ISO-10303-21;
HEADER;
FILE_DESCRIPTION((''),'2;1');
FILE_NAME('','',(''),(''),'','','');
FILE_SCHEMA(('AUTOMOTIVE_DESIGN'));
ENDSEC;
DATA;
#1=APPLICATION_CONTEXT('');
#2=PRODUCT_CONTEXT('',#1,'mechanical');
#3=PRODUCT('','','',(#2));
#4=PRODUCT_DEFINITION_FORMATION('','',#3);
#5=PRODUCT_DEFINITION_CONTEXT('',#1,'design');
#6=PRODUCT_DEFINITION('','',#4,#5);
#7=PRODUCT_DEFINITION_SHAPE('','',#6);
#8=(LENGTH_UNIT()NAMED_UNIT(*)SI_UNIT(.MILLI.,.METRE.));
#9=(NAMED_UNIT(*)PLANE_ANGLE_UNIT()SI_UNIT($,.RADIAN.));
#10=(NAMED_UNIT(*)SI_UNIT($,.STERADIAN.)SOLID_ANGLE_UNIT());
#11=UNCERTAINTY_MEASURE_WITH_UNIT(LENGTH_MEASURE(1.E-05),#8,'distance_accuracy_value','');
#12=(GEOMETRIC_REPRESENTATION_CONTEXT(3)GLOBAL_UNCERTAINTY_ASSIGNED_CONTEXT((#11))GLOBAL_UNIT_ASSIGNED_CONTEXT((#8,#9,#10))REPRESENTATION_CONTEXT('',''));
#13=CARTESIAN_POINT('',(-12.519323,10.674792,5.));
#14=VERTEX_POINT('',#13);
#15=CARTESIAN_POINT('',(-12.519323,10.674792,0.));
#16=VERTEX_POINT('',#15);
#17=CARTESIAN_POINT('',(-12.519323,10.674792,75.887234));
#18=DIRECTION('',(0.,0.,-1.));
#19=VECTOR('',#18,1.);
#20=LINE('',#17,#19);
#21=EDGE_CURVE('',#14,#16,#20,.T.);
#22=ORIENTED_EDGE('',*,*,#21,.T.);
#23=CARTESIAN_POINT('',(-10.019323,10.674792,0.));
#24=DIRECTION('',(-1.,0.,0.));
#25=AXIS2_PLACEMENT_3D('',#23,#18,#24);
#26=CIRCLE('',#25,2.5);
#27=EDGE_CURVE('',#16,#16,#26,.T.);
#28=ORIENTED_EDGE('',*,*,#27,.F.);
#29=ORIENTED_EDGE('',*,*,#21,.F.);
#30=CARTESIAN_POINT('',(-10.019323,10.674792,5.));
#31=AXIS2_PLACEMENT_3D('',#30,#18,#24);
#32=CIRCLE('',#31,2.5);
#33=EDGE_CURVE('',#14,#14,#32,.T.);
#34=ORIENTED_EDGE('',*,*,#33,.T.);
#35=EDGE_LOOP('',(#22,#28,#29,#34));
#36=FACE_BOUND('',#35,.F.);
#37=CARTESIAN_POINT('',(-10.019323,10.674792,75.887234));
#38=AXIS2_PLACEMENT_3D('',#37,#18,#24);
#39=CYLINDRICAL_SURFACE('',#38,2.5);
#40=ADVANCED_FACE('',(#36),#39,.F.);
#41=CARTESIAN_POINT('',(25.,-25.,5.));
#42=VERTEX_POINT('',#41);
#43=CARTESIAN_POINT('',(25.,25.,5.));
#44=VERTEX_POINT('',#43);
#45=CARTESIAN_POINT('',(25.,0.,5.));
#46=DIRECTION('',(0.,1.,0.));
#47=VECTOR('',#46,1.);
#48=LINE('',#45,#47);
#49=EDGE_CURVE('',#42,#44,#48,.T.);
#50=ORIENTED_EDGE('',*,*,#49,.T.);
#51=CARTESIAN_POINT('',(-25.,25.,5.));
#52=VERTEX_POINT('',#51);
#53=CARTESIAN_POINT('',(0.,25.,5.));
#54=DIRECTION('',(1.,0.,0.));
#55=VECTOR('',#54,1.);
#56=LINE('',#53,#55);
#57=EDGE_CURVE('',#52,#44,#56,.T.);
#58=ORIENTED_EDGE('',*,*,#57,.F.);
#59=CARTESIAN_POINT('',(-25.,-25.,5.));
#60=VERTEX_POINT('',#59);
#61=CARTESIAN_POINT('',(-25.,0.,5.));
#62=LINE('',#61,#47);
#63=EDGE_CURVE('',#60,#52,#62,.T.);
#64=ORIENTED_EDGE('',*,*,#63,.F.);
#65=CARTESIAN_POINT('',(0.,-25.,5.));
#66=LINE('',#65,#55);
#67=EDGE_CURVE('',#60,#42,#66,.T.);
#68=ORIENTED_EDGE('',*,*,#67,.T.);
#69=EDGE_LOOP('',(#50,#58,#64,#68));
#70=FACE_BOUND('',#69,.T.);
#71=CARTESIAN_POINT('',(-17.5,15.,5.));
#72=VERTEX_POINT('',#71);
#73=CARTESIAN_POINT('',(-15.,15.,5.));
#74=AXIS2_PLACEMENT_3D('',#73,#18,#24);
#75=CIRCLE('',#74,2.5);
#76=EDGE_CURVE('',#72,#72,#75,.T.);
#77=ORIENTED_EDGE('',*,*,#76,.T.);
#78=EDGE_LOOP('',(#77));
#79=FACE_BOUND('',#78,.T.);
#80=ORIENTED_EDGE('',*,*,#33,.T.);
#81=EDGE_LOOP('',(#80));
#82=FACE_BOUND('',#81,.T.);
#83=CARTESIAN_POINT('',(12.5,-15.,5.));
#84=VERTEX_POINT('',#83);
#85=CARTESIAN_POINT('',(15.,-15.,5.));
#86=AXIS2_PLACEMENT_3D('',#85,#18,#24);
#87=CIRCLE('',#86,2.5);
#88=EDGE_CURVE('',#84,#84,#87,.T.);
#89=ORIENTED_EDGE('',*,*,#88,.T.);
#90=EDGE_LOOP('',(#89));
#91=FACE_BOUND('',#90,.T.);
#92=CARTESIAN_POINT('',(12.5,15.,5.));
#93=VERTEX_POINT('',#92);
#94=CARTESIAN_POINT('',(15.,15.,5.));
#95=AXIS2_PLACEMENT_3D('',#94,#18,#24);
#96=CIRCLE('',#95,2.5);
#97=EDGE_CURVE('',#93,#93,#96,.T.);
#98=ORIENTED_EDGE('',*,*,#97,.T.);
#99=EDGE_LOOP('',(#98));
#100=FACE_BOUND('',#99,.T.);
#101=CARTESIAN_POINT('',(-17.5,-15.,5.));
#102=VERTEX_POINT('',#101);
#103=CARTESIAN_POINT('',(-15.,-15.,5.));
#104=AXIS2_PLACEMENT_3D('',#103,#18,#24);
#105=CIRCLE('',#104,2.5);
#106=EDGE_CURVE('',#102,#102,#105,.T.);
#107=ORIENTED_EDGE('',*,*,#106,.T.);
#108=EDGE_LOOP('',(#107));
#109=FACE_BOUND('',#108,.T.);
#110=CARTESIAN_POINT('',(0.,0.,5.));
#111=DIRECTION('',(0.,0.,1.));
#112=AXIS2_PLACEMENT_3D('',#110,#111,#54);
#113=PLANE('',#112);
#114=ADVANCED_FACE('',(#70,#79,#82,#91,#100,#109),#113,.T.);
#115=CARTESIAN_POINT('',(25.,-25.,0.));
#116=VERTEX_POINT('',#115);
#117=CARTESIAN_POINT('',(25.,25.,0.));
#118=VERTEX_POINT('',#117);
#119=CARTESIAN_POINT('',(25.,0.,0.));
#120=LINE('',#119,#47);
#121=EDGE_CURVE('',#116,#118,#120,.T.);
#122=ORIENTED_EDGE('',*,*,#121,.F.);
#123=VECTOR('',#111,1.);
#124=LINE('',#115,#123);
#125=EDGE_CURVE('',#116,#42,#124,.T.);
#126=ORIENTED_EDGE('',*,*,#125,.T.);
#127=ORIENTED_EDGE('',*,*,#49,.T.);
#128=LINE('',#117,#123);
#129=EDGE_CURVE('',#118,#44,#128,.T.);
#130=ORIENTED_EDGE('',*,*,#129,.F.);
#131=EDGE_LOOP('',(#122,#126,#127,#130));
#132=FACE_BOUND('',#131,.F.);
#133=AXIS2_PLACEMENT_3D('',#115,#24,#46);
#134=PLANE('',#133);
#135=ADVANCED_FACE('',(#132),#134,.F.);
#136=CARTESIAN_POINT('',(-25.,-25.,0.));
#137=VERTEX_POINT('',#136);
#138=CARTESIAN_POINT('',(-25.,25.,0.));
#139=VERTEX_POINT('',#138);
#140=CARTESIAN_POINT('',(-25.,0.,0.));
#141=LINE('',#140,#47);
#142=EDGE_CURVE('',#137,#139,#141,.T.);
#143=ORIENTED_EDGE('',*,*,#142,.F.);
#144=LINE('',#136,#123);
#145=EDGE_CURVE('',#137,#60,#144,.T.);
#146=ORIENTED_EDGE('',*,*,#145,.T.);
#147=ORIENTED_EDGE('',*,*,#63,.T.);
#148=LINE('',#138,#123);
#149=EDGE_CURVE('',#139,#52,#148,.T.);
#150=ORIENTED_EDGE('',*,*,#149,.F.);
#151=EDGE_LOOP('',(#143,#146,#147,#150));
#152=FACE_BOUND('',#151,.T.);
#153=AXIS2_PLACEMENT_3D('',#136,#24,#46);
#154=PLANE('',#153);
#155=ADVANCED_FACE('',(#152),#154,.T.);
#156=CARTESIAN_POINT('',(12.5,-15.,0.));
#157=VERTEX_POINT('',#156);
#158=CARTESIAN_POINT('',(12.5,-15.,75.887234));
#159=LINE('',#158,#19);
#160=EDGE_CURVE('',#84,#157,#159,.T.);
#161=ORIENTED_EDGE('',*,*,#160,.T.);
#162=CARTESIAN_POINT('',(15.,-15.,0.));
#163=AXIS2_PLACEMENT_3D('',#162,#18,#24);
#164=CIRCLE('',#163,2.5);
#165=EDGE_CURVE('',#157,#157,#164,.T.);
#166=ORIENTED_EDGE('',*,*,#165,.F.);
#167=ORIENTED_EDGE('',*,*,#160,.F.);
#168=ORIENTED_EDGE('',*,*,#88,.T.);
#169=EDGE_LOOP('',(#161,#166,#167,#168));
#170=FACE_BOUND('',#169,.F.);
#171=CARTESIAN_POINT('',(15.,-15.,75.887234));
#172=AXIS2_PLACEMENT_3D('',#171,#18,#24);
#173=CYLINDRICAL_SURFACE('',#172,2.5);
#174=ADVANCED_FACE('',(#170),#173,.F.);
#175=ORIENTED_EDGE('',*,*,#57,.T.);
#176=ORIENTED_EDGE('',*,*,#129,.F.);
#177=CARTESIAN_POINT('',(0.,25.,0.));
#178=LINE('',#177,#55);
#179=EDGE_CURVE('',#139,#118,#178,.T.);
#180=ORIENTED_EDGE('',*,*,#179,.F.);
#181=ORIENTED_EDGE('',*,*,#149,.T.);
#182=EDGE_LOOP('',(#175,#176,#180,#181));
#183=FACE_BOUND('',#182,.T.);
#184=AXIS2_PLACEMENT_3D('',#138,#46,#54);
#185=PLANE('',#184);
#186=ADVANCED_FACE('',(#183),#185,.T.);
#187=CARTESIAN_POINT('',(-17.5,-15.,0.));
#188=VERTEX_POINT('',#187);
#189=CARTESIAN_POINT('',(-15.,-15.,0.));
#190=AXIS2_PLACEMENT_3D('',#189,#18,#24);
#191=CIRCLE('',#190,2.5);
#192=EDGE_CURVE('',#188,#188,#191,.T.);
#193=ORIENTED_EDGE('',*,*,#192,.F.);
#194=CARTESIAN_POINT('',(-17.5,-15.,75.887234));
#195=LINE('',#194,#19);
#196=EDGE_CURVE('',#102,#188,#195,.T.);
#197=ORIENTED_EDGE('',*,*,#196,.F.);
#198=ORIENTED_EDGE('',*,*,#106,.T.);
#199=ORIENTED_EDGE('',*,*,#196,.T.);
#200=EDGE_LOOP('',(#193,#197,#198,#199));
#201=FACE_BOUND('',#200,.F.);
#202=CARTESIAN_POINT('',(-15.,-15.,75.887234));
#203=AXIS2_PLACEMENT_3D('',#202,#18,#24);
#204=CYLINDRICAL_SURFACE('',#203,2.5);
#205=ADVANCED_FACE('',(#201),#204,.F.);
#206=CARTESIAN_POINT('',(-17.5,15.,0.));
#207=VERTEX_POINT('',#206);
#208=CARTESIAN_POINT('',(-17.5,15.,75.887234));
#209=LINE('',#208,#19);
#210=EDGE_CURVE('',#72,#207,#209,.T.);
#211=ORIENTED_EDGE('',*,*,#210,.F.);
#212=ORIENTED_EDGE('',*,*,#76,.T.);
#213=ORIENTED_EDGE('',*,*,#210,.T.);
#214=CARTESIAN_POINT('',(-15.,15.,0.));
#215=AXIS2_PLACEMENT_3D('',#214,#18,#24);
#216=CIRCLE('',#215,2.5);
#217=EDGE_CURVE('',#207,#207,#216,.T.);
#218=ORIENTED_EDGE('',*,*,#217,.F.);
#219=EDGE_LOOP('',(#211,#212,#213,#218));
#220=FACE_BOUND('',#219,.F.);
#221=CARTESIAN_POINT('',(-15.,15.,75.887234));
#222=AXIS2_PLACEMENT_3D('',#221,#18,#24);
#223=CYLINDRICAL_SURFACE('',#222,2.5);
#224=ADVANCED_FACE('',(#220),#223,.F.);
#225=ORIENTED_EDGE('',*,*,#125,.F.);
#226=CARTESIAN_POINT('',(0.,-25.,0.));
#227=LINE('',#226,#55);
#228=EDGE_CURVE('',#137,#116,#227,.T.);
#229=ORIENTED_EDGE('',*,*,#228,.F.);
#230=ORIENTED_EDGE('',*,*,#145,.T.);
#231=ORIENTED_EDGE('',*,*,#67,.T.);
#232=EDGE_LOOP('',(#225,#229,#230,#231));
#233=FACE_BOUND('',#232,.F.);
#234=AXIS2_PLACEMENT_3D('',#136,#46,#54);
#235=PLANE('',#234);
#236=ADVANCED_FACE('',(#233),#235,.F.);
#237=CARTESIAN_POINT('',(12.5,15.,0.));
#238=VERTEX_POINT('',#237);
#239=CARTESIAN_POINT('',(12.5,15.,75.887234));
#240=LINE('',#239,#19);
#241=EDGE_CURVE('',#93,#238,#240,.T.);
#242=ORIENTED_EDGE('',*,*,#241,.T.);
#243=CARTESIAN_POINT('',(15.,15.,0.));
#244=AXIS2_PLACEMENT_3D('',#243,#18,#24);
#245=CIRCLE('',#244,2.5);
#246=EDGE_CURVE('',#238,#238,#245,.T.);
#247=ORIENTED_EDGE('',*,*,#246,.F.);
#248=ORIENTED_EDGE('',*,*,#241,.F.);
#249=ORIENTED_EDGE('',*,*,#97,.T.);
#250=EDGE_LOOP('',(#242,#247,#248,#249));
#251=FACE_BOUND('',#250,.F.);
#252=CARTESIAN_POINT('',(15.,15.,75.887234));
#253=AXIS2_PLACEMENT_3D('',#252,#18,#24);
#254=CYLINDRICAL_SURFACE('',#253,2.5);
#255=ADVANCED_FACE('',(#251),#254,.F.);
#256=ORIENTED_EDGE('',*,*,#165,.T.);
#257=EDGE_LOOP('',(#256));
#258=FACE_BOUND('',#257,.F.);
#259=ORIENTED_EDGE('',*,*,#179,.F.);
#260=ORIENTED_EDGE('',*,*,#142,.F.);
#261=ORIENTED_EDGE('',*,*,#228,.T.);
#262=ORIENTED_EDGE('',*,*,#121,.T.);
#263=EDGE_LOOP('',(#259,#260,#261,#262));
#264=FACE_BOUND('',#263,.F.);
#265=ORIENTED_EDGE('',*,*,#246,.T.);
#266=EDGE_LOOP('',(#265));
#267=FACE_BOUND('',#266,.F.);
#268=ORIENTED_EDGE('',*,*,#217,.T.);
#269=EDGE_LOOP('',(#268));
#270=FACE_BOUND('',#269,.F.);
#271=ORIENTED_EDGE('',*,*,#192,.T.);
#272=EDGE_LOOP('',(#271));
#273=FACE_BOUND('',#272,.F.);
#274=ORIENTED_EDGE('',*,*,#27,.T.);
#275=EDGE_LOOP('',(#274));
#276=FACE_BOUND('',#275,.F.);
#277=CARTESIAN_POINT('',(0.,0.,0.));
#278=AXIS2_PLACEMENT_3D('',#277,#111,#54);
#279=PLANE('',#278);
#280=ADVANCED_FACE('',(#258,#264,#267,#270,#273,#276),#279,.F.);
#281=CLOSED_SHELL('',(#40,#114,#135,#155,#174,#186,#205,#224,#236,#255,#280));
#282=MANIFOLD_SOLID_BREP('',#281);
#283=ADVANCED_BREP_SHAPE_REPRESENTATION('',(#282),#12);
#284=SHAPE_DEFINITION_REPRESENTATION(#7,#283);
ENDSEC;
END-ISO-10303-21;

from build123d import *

# Parameters (mm, degrees)
F0_W     = 50
F0_H     = 50
F1_DEPTH = 5
F3_D     = 5
F5_D     = 5


with BuildPart() as f1:
    # F0 (on Top) → F1 (new body)
    with BuildSketch(Plane.XY):
        Rectangle(F0_W, F0_H)
    extrude(amount=F1_DEPTH)

    # F3 (through all)
    with Locations(Plane.XY.offset(5)):
        with Locations((-10.019323, 10.674792)):
            Hole(F3_D / 2)

    # F5 (through all)
    with Locations(Plane.XY.offset(5)):
        with Locations((-15, 15), (15, 15), (15, -15), (-15, -15)):
            Hole(F5_D / 2)


solid = f1.part
